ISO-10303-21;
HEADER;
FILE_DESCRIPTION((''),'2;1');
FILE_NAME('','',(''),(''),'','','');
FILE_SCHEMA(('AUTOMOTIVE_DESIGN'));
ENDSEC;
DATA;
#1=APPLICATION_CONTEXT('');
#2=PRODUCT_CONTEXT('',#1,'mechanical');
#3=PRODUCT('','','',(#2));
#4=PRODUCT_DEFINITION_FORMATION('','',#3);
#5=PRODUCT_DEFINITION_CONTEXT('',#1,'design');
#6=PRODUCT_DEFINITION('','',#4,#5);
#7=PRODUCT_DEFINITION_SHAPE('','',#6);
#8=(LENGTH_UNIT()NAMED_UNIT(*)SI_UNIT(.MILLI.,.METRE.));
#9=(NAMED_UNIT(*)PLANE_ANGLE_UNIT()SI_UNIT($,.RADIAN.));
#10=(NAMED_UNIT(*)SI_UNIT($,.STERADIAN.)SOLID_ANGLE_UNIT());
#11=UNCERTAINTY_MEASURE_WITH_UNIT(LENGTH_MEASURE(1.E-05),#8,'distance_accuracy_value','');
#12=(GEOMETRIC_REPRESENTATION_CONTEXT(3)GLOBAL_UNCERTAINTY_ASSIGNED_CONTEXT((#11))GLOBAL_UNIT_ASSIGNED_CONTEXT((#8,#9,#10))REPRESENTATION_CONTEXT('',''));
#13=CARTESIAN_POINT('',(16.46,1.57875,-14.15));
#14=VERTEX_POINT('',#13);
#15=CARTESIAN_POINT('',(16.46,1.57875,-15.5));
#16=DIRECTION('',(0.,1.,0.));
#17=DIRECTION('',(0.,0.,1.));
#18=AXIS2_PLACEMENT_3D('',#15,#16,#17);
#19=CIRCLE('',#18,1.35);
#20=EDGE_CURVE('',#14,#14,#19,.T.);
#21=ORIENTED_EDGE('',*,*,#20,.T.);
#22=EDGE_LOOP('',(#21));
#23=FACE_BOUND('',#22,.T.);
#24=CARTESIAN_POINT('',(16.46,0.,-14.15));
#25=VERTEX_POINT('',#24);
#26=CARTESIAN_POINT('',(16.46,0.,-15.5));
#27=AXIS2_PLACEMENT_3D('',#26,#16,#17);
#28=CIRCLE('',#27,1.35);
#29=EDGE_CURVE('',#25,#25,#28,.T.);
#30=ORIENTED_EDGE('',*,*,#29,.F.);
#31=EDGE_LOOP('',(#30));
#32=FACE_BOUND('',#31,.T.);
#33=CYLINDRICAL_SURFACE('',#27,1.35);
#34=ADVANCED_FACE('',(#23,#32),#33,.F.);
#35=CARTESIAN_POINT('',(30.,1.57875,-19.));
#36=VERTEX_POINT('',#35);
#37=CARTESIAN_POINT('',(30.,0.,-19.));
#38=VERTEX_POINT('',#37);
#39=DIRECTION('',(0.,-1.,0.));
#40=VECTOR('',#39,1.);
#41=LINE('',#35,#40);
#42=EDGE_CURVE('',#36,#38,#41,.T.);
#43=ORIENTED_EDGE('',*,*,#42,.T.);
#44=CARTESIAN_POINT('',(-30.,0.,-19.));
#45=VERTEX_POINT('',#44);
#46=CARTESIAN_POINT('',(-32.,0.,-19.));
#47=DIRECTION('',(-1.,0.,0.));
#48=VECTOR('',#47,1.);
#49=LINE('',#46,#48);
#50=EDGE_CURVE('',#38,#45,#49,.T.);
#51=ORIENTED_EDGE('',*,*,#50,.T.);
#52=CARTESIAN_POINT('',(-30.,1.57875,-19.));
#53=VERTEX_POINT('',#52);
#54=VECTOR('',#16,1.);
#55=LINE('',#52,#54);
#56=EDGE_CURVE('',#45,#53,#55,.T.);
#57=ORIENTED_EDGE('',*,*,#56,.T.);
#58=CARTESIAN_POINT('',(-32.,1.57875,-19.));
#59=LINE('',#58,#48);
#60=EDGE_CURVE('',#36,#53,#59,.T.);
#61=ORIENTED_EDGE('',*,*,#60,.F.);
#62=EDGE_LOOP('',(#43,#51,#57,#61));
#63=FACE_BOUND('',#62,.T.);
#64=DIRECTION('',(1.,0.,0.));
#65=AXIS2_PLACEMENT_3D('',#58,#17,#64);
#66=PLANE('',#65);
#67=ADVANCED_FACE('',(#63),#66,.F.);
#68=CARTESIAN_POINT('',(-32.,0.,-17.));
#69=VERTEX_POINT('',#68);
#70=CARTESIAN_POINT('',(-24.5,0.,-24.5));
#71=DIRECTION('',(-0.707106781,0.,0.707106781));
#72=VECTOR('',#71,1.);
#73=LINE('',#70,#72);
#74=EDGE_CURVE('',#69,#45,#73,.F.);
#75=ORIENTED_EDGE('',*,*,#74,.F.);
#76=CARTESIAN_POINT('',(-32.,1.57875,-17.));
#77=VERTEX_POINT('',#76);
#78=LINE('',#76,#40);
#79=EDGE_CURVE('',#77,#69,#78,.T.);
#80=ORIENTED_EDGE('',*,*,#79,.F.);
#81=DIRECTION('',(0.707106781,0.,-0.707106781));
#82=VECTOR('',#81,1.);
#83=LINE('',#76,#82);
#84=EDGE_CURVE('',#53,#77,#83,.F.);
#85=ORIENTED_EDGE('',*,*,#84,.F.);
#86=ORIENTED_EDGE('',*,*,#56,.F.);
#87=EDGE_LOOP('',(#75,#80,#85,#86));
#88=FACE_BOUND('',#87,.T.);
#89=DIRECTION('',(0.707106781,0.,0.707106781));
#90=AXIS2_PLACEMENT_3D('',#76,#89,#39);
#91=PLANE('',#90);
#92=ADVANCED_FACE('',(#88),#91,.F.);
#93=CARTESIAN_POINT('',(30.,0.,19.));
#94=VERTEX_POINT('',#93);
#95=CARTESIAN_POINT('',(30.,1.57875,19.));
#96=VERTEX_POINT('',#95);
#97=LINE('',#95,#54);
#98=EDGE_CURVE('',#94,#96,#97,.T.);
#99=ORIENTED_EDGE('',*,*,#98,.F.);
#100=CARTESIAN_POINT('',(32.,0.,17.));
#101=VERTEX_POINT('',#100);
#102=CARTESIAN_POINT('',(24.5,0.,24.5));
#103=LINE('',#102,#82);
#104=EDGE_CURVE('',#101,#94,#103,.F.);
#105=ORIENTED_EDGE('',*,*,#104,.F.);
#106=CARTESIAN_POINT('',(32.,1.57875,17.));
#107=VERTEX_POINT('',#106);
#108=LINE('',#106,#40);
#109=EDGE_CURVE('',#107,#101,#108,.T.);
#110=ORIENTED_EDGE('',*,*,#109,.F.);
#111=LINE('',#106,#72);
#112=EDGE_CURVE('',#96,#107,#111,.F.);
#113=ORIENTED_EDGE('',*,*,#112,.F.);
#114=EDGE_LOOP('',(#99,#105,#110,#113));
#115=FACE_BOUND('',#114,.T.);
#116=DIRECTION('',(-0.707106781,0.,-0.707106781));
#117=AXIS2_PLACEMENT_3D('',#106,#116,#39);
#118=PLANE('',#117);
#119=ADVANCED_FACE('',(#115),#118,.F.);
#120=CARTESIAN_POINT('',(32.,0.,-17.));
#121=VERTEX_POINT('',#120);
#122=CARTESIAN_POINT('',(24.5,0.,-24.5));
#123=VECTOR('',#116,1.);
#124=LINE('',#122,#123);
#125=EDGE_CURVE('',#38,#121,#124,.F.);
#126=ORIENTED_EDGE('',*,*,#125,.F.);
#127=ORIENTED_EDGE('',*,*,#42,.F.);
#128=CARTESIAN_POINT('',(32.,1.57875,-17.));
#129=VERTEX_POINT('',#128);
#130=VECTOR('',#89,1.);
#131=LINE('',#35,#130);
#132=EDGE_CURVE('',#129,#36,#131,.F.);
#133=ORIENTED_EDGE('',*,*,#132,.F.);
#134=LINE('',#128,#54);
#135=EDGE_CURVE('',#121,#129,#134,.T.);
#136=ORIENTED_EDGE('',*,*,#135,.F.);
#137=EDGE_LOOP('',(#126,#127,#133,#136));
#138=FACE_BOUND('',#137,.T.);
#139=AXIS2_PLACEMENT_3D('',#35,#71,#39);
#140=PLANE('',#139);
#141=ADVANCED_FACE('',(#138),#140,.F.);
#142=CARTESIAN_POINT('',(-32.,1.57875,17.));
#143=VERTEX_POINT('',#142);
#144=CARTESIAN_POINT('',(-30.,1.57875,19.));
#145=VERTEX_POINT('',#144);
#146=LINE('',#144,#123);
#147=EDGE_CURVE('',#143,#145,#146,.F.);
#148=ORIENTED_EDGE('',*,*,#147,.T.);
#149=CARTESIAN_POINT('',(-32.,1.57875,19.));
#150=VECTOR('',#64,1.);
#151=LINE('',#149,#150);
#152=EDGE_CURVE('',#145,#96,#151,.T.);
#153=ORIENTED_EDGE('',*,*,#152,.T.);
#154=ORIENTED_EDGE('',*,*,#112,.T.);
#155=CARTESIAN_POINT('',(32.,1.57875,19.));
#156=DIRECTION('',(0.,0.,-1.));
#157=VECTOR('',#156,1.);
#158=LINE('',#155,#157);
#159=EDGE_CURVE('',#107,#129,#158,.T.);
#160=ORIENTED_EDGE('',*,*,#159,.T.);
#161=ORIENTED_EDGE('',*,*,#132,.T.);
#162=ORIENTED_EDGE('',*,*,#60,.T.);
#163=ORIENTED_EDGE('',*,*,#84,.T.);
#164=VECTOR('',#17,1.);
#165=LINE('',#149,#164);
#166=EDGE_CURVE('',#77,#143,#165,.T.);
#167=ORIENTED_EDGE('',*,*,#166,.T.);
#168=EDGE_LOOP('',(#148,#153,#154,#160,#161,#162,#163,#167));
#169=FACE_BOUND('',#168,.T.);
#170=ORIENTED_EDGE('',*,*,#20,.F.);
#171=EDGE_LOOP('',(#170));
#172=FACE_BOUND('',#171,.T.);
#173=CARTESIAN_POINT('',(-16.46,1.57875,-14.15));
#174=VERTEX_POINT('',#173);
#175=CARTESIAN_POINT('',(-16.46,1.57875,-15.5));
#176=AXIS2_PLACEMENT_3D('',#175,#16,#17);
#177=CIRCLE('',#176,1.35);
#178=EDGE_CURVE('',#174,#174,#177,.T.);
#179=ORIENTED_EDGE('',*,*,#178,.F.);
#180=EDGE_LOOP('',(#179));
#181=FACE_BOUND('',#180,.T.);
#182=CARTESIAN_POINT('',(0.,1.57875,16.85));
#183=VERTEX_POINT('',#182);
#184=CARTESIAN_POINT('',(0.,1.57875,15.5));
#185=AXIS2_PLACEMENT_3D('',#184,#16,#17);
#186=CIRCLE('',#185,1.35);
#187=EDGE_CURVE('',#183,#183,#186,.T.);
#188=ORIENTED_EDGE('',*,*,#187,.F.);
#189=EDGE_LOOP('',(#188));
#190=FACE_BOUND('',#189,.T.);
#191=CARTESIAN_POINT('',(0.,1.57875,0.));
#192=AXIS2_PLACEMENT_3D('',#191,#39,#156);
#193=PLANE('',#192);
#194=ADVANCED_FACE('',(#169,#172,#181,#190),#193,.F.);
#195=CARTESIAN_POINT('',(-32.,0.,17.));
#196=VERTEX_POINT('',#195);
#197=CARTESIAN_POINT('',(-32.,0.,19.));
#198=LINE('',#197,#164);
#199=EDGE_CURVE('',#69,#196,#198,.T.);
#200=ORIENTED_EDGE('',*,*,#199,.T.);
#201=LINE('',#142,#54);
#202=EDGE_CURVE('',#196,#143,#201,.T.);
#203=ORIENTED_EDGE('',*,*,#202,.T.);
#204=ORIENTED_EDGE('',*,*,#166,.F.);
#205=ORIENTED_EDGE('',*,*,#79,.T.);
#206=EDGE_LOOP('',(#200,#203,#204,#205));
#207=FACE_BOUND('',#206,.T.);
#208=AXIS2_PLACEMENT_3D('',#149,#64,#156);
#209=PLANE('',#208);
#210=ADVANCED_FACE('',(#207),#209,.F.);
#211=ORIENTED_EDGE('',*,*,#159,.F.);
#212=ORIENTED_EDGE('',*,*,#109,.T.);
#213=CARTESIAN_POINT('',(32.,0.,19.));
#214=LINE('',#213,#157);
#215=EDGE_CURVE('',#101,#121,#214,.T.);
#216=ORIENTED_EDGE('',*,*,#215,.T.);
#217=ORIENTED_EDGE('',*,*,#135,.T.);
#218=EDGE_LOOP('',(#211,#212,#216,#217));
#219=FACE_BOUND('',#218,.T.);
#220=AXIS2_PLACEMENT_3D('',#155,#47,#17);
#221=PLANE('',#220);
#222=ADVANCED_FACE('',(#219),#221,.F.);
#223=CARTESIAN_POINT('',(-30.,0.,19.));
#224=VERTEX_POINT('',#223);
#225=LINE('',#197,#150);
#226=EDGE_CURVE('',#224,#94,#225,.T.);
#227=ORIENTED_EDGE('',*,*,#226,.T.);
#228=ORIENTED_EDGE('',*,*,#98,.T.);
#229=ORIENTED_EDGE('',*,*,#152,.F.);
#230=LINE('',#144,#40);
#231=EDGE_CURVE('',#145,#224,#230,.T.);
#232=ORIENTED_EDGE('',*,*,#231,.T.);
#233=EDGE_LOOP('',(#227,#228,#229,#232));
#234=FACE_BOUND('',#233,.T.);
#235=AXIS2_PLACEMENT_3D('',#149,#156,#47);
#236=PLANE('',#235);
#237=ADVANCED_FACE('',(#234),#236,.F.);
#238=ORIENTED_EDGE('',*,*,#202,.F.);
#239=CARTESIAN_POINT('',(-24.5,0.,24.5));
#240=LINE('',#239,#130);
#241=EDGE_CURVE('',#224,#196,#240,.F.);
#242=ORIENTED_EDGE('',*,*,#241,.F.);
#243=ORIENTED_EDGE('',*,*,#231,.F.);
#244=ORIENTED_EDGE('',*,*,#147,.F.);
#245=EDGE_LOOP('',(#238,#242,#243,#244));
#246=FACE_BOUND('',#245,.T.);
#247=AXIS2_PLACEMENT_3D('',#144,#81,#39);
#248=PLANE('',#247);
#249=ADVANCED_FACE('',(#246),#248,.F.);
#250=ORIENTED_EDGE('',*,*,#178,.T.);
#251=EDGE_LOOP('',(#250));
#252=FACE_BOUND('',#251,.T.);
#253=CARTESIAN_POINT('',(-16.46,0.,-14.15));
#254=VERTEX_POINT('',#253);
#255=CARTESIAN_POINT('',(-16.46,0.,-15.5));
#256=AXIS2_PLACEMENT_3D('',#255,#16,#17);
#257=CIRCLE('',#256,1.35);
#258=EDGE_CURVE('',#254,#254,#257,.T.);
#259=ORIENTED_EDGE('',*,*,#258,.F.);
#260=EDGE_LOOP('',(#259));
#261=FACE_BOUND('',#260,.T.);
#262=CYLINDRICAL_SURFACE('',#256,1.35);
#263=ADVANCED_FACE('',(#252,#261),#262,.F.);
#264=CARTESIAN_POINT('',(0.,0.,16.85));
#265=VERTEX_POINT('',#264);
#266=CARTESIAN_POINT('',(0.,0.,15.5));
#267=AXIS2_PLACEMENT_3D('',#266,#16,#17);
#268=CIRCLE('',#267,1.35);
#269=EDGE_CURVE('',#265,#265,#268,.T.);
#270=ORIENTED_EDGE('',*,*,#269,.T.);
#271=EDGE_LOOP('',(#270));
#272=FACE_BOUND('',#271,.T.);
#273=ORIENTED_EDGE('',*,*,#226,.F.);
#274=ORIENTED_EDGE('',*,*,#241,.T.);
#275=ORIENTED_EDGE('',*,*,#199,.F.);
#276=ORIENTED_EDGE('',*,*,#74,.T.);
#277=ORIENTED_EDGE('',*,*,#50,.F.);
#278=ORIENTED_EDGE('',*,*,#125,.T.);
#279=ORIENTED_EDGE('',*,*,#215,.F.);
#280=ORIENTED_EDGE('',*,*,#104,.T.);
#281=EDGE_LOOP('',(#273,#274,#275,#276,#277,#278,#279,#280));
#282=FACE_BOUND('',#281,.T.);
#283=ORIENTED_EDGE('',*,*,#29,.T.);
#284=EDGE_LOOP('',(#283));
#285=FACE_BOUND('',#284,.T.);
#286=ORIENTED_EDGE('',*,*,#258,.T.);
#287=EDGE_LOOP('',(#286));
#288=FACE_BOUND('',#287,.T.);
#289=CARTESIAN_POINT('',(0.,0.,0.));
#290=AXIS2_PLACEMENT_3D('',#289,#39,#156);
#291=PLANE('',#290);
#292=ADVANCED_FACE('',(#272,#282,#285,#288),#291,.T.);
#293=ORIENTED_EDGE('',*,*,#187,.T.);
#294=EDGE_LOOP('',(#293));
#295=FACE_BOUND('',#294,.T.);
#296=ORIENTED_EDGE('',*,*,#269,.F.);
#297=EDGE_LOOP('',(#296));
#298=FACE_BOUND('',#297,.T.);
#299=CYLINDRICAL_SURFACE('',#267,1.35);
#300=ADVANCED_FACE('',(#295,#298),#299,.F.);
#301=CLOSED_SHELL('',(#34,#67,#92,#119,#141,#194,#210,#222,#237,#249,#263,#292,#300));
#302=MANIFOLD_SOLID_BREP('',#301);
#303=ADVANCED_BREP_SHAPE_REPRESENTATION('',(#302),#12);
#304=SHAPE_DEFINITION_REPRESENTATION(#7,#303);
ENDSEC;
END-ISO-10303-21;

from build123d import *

# Parameters (mm, degrees)
SKETCH1_W           = 64
SKETCH1_H           = 38
BOSS_EXTRUDE1_DEPTH = 1.57875
CHAMFER1_SIZE       = 2
SKETCH3_R           = 1.35
CUT_EXTRUDE1_DEPTH  = 38.249059741


with BuildPart() as part:
    # Sketch1 → Boss-Extrude1 (new body)
    with BuildSketch(Plane(origin=(0, 0, 0), x_dir=(1, 0, 0), z_dir=(0, 1, 0))):
        Rectangle(SKETCH1_W, SKETCH1_H)
    extrude(amount=BOSS_EXTRUDE1_DEPTH)

    # Chamfer1
    chamfer1_edges = [part.edges().sort_by_distance(p)[0] for p in [
        (32, 0.789375, 19),
        (-32, 0.789375, 19),
        (-32, 0.789375, -19),
        (32, 0.789375, -19),
    ]]
    chamfer(chamfer1_edges, length=CHAMFER1_SIZE)

    # Sketch3 → Cut-Extrude1 (cut, through all)
    with BuildSketch(Plane(origin=(0, 1.57875, 0), x_dir=(1, 0, 0), z_dir=(0, 1, 0))):
        with Locations(Location((-16.46, 15.5, 0), (0, 0, 270))):
            Circle(SKETCH3_R)
        with Locations(Location((16.46, 15.5, 0), (0, 0, 270))):
            Circle(SKETCH3_R)
        with Locations(Location((0, -15.5, 0), (0, 0, 270))):
            Circle(SKETCH3_R)
    extrude(amount=-CUT_EXTRUDE1_DEPTH, mode=Mode.SUBTRACT)


solid = part.part
